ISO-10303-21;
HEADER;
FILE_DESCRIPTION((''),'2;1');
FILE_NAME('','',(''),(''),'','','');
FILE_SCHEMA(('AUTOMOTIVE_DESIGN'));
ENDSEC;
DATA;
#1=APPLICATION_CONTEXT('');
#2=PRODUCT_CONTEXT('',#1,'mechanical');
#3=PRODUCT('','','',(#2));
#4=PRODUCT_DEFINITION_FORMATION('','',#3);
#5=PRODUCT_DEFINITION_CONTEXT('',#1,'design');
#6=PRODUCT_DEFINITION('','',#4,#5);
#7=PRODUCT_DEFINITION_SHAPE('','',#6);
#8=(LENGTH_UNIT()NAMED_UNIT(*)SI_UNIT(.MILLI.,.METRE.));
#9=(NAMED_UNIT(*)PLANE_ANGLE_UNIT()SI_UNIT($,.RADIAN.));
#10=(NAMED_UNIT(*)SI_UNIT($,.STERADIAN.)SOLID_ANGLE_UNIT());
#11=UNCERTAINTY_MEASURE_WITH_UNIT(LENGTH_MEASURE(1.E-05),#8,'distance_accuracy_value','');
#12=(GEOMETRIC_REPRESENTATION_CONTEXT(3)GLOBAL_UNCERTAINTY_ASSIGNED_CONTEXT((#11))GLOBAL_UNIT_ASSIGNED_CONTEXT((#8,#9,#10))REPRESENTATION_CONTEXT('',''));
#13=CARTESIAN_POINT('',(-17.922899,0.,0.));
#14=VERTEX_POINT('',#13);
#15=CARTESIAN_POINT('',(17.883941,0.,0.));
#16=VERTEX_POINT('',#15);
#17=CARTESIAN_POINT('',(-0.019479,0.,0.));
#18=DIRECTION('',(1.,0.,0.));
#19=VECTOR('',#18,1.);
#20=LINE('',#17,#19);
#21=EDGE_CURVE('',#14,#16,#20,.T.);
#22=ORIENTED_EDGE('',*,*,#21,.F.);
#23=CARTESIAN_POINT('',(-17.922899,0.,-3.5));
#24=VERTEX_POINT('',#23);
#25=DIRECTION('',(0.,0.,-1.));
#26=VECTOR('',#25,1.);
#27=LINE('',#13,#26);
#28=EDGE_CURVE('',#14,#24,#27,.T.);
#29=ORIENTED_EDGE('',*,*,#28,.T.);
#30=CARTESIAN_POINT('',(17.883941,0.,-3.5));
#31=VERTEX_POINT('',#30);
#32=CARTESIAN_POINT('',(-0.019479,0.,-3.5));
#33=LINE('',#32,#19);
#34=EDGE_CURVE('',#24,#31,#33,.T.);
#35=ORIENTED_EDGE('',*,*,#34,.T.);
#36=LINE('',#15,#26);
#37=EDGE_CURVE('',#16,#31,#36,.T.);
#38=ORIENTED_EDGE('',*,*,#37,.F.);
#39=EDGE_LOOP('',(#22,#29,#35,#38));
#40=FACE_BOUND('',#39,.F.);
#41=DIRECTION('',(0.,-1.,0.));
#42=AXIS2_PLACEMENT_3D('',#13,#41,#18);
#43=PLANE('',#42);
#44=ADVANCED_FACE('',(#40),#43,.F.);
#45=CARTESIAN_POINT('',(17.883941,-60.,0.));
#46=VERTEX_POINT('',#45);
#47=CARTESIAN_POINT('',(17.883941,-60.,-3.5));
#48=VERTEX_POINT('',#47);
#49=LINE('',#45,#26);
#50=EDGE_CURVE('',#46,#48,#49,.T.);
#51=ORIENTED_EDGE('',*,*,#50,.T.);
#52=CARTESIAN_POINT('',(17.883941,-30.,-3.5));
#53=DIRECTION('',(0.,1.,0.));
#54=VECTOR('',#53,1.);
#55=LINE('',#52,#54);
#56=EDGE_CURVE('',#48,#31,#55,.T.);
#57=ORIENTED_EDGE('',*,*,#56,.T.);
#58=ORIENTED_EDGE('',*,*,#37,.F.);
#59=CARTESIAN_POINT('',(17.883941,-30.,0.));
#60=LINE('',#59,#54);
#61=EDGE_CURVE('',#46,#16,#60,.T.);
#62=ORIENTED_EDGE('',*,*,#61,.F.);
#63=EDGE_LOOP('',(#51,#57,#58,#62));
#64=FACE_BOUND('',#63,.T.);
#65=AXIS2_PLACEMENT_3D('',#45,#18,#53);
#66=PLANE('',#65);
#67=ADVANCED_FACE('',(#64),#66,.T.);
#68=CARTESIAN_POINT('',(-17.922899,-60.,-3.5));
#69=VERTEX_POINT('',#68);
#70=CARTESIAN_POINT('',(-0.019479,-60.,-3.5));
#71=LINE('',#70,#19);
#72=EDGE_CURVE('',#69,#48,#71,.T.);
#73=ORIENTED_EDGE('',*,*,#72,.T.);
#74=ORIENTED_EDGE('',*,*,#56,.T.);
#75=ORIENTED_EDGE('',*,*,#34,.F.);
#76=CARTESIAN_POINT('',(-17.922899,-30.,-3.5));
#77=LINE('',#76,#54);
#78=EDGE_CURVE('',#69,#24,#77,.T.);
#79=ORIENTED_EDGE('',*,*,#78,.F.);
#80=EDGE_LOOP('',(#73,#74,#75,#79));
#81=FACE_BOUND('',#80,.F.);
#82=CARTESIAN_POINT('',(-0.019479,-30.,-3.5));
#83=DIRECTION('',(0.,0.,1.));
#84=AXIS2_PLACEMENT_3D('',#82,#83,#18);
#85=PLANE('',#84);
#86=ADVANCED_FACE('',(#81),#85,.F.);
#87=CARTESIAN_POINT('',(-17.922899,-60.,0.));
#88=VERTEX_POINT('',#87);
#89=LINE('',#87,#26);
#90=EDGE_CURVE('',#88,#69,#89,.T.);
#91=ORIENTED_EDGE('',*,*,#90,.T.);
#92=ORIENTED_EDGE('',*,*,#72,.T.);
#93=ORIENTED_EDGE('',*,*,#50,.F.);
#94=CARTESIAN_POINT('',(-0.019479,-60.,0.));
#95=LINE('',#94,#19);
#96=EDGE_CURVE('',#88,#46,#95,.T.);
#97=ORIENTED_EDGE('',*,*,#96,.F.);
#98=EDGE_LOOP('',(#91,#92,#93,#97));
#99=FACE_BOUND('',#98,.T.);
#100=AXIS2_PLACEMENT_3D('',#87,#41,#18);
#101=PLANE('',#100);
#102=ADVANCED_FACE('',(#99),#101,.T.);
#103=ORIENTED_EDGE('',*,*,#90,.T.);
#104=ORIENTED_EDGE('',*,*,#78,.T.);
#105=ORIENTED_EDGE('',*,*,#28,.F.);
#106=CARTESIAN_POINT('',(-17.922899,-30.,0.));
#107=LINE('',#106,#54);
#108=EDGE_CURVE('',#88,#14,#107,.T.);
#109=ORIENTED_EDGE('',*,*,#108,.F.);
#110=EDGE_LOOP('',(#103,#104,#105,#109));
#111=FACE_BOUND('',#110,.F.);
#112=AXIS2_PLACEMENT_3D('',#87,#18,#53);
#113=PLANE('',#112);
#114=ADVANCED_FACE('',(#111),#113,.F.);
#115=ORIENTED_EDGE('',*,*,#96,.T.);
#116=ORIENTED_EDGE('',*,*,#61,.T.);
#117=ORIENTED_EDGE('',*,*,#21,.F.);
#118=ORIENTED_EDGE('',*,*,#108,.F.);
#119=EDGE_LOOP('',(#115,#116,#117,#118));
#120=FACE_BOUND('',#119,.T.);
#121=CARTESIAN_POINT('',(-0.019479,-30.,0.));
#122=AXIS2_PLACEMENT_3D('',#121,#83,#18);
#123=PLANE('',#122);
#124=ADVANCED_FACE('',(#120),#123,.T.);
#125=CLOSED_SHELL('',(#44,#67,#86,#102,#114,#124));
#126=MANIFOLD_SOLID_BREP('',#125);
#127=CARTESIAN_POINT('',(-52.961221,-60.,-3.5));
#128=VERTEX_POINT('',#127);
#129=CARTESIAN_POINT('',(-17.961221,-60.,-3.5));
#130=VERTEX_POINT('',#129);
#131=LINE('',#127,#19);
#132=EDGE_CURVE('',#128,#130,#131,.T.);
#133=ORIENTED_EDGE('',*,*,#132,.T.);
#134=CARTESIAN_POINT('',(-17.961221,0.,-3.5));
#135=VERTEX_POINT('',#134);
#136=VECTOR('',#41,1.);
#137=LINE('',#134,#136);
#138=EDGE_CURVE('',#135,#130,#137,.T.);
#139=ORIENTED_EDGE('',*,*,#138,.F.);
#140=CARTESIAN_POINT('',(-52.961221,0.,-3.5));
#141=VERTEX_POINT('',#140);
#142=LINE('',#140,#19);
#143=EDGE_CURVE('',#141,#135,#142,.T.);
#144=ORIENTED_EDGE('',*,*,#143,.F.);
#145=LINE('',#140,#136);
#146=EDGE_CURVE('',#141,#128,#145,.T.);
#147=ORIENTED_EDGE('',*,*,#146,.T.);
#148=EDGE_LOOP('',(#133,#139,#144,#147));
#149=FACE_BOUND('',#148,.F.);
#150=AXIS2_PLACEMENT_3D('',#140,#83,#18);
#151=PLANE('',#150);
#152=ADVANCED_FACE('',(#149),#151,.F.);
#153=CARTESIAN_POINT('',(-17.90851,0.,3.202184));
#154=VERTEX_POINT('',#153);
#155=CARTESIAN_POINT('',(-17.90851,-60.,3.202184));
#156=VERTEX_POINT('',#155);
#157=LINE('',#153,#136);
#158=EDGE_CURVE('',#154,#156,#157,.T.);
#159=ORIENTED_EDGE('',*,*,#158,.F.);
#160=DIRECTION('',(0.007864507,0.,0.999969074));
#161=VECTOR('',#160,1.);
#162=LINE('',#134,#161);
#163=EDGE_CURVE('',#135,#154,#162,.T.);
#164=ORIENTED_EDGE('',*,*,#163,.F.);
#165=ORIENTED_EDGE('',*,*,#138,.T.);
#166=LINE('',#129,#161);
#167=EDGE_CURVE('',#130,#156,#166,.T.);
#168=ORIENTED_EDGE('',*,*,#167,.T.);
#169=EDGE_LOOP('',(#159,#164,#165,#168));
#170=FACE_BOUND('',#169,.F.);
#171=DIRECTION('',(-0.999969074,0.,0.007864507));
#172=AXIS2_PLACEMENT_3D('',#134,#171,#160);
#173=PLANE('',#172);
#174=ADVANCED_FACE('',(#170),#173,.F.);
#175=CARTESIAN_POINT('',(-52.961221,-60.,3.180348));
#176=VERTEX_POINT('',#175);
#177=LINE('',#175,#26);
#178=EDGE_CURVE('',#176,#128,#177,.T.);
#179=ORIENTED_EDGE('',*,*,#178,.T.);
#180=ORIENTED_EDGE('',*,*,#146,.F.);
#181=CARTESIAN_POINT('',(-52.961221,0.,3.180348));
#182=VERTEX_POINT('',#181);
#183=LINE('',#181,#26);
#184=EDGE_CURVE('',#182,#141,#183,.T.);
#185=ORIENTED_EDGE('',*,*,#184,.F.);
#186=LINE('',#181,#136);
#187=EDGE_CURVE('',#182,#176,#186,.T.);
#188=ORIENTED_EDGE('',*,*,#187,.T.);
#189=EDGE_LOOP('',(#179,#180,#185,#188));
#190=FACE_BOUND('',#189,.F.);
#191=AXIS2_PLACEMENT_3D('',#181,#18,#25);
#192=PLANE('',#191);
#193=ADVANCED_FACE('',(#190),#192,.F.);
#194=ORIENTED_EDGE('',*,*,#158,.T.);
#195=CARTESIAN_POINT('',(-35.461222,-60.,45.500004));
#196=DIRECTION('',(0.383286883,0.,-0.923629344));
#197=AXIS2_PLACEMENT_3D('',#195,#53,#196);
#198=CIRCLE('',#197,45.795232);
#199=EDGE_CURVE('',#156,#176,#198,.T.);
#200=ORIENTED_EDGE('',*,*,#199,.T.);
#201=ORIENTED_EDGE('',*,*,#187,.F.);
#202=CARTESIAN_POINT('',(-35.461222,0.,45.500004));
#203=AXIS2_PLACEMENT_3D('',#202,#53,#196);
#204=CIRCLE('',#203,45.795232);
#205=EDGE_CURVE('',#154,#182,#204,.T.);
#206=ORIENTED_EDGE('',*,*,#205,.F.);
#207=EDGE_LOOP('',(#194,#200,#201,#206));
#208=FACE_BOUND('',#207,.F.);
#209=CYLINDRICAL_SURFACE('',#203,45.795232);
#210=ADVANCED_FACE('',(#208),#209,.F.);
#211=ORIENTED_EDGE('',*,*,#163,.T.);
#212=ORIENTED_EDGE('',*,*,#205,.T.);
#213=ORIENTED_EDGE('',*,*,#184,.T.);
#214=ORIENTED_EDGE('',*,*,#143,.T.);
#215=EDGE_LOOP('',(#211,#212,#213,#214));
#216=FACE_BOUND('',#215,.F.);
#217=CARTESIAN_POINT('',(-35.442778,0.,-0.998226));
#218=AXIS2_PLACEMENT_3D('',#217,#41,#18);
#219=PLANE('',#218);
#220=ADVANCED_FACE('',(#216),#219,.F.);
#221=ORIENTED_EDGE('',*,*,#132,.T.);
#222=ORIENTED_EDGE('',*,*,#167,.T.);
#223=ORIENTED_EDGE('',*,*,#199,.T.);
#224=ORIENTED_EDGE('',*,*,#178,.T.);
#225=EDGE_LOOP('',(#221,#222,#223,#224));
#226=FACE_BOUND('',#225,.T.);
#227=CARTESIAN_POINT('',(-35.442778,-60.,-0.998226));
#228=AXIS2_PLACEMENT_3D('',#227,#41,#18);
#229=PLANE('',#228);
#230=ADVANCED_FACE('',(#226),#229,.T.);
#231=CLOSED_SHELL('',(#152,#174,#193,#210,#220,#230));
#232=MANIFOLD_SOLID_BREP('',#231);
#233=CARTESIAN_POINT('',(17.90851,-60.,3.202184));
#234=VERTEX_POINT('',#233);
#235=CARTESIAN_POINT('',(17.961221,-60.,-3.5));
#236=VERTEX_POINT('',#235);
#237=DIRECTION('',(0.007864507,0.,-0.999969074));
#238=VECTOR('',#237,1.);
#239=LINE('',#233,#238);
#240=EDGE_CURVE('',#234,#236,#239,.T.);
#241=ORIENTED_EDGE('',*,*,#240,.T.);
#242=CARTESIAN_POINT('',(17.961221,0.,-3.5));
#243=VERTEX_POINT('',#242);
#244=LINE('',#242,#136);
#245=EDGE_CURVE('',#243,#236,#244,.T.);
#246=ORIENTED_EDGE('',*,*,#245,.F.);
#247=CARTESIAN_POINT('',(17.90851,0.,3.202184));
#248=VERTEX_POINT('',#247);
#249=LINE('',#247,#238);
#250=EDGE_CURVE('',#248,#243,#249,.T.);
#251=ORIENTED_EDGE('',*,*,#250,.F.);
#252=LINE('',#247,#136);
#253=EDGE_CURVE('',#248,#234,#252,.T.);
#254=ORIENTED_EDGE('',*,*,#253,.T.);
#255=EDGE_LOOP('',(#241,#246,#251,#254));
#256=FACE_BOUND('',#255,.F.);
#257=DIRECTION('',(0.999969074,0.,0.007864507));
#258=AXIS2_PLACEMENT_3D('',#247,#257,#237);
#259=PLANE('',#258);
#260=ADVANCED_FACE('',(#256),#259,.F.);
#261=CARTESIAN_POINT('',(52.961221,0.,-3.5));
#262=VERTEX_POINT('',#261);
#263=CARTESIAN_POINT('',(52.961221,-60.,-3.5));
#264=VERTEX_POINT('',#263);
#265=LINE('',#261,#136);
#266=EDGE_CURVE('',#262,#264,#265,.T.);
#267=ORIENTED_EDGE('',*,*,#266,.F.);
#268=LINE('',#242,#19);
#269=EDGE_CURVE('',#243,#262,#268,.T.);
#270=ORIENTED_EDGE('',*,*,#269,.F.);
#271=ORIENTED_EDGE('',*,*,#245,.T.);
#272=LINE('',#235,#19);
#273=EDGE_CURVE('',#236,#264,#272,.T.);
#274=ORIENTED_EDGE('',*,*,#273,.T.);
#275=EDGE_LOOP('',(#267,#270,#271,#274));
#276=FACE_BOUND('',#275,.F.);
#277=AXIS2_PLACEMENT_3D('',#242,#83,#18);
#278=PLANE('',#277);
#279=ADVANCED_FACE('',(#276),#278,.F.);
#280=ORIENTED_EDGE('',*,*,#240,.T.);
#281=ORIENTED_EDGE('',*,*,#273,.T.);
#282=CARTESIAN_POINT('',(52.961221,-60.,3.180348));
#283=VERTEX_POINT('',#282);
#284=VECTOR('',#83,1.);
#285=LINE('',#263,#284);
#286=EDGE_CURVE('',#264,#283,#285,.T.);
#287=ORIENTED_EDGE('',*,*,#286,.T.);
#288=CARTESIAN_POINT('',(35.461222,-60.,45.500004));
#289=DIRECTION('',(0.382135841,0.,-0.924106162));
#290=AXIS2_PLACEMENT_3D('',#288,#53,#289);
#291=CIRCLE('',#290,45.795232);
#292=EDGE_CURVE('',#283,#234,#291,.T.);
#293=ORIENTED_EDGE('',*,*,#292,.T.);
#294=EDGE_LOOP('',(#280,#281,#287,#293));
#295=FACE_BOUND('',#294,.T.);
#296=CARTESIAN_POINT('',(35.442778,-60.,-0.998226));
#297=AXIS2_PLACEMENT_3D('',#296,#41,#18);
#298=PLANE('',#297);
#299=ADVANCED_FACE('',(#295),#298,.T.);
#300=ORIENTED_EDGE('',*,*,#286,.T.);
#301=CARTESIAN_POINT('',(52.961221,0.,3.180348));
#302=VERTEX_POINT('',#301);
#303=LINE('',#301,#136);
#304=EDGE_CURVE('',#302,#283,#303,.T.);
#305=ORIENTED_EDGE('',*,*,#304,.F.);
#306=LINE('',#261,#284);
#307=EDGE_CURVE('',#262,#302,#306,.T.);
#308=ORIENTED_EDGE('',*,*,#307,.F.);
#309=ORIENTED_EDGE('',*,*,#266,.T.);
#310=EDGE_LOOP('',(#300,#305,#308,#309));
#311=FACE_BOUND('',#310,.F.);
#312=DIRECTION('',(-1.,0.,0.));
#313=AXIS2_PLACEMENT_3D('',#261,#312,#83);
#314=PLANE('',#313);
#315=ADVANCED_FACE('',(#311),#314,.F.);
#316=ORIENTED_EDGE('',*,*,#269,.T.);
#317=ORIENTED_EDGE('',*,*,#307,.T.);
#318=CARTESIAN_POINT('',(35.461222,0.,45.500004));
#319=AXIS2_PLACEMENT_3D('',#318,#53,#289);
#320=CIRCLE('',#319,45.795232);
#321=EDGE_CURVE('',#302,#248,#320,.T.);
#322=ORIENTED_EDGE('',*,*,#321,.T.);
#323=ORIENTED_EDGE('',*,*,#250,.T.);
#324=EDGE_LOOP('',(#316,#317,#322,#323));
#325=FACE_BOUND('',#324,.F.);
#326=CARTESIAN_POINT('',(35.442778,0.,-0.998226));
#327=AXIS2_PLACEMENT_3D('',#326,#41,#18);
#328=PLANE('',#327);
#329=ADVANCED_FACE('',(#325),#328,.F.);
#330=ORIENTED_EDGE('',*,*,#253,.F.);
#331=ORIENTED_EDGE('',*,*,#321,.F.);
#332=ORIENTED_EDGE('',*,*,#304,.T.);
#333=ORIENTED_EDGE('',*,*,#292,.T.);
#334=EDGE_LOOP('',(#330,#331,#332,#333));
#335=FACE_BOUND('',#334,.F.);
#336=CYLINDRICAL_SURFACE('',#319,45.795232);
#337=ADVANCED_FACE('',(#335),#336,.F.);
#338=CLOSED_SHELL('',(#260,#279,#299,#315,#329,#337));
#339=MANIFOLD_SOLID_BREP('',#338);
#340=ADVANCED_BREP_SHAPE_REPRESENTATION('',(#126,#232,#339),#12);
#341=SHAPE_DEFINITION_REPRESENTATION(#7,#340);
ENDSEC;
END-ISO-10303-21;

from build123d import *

# Parameters (mm, degrees)
F1_DEPTH = 60
F2_W     = 35.80684
F2_H     = 60
F3_DEPTH = 3.5


with BuildPart() as f1:
    # F0 (on Front) → F1 (new body)
    with BuildSketch(Plane.XZ):
        with BuildLine():
            Line((-17.961221, -3.5), (-17.90851, 3.202184))
            ThreePointArc((-17.90851, 3.202184), (-35.432694, -0.295219), (-52.961221, 3.180348))
            Line((-52.961221, 3.180348), (-52.961221, -3.5))
            Line((-52.961221, -3.5), (-17.961221, -3.5))
        make_face()
        with BuildLine():
            ThreePointArc((52.961221, 3.180348), (35.432694, -0.295219), (17.90851, 3.202184))
            Line((17.90851, 3.202184), (17.961221, -3.5))
            Line((17.961221, -3.5), (52.961221, -3.5))
            Line((52.961221, -3.5), (52.961221, 3.180348))
        make_face()
    extrude(amount=F1_DEPTH)


with BuildPart() as f3:
    # F2 (on Top) → F3 (new body)
    with BuildSketch(Plane.XY):
        with Locations((-0.019479, -30)):
            Rectangle(F2_W, F2_H)
    extrude(amount=-F3_DEPTH)


solid = Compound([f1.part, f3.part])
